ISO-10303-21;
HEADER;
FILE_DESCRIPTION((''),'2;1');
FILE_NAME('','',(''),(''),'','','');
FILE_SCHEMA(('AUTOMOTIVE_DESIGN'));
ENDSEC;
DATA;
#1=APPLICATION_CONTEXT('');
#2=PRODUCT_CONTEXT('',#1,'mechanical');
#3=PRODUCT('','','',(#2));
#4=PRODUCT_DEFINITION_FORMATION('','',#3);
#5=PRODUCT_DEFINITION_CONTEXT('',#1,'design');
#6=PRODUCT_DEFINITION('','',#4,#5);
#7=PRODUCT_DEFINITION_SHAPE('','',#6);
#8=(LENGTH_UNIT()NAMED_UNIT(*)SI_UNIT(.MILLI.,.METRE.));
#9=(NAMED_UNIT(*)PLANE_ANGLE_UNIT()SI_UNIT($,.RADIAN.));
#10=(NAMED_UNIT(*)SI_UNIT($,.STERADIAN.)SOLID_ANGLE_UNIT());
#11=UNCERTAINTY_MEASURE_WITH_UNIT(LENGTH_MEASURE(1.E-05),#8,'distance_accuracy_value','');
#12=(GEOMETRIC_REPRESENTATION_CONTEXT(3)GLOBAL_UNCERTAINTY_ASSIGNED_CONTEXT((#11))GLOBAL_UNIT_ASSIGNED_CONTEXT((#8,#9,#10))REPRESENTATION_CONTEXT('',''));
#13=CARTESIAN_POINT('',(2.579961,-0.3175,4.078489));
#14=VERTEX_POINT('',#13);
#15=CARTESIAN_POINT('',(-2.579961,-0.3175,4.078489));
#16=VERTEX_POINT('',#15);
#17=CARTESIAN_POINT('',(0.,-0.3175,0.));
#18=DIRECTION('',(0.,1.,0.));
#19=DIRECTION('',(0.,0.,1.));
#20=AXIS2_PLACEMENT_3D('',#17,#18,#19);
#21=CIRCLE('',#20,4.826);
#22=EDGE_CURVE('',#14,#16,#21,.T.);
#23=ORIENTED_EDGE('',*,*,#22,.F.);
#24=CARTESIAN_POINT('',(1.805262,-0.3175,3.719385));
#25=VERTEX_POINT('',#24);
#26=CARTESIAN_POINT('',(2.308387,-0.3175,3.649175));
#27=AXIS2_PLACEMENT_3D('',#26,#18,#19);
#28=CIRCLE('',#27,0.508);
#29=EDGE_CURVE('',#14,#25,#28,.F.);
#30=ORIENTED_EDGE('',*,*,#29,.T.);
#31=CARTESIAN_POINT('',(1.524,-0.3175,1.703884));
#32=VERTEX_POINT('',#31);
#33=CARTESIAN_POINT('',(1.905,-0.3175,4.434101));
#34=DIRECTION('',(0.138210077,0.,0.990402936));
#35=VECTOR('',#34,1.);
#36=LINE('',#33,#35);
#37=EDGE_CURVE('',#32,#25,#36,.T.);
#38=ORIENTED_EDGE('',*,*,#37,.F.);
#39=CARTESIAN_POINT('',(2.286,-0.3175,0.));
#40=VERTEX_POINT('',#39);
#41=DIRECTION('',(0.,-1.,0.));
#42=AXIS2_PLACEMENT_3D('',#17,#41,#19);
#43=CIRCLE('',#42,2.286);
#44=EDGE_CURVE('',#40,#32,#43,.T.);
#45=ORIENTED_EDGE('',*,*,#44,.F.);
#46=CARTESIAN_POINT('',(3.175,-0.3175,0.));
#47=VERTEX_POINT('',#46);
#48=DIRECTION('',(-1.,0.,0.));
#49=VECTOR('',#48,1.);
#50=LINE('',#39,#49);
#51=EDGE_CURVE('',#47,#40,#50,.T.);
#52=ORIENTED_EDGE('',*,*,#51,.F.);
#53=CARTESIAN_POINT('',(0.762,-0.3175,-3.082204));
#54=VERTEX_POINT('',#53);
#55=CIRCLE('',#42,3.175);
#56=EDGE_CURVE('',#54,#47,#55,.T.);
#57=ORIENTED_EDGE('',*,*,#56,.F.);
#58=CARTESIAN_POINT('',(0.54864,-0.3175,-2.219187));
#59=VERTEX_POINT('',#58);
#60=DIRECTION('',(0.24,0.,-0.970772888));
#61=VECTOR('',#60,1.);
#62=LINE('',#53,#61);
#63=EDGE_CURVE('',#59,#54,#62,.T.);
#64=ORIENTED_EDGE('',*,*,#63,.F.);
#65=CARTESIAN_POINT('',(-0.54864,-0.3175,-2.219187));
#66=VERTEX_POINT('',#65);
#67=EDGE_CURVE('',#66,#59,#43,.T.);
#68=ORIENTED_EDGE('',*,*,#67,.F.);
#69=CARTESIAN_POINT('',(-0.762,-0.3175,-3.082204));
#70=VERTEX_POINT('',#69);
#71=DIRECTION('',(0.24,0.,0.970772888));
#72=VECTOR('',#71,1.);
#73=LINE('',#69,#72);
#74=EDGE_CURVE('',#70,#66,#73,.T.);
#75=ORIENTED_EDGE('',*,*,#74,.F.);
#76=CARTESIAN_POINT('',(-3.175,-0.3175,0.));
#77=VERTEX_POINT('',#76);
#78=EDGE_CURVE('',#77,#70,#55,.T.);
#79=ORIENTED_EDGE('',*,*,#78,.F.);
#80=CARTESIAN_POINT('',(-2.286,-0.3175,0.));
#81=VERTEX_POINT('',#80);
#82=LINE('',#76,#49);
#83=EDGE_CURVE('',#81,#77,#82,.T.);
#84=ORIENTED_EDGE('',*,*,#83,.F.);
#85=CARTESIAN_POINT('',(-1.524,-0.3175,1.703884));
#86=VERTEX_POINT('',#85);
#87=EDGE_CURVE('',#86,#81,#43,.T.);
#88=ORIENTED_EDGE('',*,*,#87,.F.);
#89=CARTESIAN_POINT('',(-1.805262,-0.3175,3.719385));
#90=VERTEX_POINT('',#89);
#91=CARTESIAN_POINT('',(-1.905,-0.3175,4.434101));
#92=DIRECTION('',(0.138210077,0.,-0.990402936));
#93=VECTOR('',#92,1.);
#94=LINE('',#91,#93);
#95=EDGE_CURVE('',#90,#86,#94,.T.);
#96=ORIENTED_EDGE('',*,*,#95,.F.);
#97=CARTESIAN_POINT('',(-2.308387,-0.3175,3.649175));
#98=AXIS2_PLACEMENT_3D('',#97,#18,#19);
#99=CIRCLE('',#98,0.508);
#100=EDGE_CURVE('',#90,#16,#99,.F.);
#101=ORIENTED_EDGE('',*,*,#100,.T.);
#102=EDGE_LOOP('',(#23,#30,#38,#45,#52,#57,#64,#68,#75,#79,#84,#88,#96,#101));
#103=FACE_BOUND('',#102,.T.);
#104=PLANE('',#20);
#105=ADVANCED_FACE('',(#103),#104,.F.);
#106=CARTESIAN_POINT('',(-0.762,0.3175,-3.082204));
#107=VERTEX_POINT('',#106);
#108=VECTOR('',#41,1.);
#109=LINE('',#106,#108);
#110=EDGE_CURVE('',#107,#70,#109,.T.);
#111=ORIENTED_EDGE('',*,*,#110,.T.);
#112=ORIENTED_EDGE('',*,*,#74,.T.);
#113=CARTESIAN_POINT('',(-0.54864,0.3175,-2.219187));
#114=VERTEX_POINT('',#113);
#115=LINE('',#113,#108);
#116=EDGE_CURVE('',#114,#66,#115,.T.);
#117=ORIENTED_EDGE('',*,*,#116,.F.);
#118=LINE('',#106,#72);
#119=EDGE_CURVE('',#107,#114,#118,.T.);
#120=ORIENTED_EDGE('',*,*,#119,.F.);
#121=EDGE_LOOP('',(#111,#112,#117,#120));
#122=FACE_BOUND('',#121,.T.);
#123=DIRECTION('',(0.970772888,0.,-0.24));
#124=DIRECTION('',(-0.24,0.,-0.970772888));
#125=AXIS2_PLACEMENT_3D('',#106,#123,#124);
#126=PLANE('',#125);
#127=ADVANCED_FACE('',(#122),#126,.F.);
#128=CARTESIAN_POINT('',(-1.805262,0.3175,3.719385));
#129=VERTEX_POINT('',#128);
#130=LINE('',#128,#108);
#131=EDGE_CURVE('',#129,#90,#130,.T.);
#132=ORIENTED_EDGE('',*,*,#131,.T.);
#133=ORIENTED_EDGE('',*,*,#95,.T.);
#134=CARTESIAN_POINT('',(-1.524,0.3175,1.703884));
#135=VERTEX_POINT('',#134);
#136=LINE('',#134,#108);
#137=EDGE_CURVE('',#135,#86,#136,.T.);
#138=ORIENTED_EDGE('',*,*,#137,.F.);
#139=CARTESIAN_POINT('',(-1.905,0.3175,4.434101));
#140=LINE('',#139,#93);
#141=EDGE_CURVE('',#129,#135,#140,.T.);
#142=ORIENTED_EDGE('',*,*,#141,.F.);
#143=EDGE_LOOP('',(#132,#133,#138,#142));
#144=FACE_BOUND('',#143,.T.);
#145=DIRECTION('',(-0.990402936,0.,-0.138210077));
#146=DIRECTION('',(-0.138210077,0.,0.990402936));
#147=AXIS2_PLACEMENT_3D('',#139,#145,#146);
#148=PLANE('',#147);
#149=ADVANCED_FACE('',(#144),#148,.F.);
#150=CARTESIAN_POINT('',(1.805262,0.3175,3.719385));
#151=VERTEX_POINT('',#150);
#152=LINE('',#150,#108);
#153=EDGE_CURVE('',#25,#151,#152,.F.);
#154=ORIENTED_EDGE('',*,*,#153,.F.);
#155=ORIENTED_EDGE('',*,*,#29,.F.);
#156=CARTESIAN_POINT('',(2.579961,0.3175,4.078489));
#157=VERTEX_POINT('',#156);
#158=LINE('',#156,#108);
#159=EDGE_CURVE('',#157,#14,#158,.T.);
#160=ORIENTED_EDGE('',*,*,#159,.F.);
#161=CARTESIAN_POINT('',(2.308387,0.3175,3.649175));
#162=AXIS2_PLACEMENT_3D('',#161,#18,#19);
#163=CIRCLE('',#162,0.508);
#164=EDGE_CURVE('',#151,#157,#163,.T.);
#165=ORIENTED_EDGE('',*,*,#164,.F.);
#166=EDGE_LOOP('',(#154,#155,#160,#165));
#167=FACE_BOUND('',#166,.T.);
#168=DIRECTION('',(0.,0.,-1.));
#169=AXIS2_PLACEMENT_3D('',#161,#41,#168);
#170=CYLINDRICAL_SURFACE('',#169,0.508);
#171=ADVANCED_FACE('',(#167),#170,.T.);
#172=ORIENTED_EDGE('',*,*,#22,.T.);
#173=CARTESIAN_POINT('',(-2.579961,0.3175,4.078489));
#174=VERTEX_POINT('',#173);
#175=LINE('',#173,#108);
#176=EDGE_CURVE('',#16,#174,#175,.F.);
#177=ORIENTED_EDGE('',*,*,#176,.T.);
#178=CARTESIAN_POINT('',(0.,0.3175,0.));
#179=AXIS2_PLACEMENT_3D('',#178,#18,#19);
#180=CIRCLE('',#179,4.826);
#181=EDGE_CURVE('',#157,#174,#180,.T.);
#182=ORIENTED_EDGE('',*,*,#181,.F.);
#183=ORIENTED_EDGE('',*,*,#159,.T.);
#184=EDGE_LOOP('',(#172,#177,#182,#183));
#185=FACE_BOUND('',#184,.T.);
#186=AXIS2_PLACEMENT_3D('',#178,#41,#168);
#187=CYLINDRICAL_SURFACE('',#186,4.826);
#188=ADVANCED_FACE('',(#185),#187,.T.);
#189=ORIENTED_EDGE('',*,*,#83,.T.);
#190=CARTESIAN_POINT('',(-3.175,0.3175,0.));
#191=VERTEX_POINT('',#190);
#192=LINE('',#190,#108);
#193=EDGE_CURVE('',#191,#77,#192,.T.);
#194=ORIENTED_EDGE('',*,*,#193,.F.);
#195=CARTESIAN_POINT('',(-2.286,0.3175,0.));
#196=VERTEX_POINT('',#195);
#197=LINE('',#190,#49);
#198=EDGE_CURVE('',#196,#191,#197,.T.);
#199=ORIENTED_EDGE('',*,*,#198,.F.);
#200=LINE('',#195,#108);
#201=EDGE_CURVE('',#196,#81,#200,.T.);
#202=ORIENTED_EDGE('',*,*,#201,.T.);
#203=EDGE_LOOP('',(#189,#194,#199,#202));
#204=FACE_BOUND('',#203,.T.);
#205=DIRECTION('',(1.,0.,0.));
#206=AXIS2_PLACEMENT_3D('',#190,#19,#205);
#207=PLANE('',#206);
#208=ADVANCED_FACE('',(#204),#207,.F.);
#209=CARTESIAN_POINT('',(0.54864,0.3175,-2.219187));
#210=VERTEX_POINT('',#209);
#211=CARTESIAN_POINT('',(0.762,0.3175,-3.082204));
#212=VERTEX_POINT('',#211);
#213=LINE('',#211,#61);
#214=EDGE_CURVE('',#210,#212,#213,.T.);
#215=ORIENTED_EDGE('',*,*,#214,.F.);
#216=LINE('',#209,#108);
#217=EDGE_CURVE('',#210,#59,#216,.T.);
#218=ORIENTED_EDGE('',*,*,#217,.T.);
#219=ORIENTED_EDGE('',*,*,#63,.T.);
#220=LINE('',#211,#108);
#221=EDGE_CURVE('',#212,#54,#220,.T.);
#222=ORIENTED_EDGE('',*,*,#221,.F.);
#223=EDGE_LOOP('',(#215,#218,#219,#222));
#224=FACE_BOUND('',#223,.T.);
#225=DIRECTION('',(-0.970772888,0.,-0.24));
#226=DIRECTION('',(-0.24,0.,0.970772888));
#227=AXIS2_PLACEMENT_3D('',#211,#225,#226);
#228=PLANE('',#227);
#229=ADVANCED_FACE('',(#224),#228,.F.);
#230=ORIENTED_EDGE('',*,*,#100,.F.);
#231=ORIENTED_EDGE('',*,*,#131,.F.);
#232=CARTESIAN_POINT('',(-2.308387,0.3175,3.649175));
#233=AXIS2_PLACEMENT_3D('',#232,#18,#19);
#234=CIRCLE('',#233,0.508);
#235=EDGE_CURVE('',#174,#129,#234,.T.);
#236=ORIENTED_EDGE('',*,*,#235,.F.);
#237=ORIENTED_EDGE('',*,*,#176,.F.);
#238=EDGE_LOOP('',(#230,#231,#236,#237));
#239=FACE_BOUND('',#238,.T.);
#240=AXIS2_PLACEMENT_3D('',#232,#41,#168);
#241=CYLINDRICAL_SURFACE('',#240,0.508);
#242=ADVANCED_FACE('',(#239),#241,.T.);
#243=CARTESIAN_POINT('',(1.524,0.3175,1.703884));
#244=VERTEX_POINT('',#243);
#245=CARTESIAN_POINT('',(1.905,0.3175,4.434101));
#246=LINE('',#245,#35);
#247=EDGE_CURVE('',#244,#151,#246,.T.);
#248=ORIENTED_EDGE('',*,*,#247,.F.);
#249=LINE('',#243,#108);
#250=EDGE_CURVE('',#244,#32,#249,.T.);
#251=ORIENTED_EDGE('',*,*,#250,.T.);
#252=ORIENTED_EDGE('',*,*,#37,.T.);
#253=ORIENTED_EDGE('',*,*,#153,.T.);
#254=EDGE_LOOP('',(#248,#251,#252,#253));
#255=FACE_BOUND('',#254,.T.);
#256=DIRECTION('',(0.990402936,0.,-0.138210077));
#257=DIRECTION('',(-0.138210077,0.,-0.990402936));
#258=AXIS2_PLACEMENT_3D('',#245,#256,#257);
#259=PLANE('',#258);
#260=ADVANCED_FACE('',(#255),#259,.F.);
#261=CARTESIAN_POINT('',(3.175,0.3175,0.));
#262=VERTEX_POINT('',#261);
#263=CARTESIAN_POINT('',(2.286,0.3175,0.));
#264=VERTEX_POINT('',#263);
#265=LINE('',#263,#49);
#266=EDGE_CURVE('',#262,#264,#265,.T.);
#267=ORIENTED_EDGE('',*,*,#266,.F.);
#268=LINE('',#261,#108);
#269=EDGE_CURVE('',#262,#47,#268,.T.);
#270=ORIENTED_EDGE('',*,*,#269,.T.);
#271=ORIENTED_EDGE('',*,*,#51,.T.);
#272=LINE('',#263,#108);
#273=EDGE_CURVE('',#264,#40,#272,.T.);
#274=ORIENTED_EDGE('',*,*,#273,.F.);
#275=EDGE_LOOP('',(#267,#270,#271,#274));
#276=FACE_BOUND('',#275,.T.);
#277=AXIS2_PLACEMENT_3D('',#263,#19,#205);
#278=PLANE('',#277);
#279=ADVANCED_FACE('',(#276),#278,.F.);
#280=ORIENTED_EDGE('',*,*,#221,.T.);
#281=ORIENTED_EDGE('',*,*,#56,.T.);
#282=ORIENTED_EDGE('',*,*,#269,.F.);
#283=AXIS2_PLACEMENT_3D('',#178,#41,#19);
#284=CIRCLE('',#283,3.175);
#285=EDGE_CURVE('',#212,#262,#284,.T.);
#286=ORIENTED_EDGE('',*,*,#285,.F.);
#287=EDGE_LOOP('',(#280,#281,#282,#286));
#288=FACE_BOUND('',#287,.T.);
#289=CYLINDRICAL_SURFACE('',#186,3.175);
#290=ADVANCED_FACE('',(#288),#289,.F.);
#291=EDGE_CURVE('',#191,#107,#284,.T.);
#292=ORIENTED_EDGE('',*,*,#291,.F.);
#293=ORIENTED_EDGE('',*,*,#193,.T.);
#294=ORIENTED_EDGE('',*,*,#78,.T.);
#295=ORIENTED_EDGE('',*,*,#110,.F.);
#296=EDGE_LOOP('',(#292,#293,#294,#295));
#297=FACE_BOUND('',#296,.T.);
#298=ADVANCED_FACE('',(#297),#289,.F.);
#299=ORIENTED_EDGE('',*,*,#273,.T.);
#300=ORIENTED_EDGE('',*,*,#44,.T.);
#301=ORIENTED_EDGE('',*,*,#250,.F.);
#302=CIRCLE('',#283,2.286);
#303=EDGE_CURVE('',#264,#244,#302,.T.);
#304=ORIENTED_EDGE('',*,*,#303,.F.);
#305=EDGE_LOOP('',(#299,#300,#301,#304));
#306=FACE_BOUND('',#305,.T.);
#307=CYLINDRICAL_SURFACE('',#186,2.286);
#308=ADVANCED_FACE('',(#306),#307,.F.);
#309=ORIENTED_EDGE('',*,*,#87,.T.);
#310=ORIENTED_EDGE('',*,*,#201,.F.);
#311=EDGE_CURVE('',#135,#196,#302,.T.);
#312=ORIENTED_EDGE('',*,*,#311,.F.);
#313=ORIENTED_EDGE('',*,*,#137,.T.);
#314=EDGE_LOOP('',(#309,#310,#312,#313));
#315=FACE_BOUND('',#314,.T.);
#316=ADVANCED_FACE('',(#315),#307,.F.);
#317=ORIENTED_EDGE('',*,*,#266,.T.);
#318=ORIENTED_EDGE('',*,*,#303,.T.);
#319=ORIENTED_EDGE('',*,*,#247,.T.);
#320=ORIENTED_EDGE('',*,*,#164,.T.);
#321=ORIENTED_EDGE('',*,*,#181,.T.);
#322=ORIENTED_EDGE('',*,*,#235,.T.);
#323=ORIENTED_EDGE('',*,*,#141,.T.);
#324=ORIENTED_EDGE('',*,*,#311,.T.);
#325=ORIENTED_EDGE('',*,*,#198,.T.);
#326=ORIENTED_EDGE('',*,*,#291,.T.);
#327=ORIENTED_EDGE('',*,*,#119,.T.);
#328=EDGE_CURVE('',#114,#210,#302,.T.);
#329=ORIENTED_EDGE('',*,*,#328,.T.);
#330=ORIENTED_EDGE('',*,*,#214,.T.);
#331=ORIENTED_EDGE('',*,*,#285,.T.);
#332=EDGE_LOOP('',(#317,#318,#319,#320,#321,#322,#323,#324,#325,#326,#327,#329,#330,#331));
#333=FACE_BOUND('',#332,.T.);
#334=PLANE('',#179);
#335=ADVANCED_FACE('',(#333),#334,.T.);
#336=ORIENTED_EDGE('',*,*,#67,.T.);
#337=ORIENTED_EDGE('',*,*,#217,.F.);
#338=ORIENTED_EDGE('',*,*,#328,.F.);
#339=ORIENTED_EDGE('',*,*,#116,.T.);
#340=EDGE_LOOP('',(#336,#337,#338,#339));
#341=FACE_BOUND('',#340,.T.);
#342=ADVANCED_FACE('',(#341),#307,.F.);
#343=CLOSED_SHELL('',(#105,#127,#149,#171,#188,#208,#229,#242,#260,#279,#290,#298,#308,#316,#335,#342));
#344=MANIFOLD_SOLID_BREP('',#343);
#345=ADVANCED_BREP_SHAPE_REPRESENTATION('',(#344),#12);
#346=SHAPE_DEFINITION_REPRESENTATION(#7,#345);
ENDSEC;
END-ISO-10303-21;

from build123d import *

# Parameters (mm, degrees)
BOSS_EXTRUDE1_DEPTH = 0.3175
FILLET1_R           = 0.508


with BuildPart() as part:
    # Sketch2 → Boss-Extrude1 (new body, symmetric)
    with BuildSketch(Plane(origin=(0, 0, 0), x_dir=(1, 0, 0), z_dir=(0, 1, 0))):
        with BuildLine():
            Line((-3.175, 0), (-2.286, 0))
            ThreePointArc((-2.286, 0), (-2.086822944, -0.933255592), (-1.524, -1.703883799))
            Line((-1.524, -1.703883799), (-1.905, -4.434100924))
            ThreePointArc((-1.905, -4.434100924), (0, 4.826), (1.905, -4.434100924))
            Line((1.905, -4.434100924), (1.524, -1.703883799))
            ThreePointArc((1.524, -1.703883799), (2.086822944, -0.933255592), (2.286, 0))
            Line((2.286, 0), (3.175, 0))
            ThreePointArc((3.175, 0), (2.4999975, 1.957201446), (0.762, 3.082203919))
            Line((0.762, 3.082203919), (0.54864, 2.219186822))
            ThreePointArc((0.54864, 2.219186822), (0, 2.286), (-0.54864, 2.219186822))
            Line((-0.54864, 2.219186822), (-0.762, 3.082203919))
            ThreePointArc((-0.762, 3.082203919), (-2.4999975, 1.957201446), (-3.175, 0))
        make_face()
    extrude(amount=BOSS_EXTRUDE1_DEPTH, both=True)

    # Fillet1
    fillet1_edges = [part.edges().sort_by_distance(p)[0] for p in [
        (-1.905, 0, 4.434100924),
        (1.905, 0, 4.434100924),
    ]]
    fillet(fillet1_edges, radius=FILLET1_R)


solid = part.part
